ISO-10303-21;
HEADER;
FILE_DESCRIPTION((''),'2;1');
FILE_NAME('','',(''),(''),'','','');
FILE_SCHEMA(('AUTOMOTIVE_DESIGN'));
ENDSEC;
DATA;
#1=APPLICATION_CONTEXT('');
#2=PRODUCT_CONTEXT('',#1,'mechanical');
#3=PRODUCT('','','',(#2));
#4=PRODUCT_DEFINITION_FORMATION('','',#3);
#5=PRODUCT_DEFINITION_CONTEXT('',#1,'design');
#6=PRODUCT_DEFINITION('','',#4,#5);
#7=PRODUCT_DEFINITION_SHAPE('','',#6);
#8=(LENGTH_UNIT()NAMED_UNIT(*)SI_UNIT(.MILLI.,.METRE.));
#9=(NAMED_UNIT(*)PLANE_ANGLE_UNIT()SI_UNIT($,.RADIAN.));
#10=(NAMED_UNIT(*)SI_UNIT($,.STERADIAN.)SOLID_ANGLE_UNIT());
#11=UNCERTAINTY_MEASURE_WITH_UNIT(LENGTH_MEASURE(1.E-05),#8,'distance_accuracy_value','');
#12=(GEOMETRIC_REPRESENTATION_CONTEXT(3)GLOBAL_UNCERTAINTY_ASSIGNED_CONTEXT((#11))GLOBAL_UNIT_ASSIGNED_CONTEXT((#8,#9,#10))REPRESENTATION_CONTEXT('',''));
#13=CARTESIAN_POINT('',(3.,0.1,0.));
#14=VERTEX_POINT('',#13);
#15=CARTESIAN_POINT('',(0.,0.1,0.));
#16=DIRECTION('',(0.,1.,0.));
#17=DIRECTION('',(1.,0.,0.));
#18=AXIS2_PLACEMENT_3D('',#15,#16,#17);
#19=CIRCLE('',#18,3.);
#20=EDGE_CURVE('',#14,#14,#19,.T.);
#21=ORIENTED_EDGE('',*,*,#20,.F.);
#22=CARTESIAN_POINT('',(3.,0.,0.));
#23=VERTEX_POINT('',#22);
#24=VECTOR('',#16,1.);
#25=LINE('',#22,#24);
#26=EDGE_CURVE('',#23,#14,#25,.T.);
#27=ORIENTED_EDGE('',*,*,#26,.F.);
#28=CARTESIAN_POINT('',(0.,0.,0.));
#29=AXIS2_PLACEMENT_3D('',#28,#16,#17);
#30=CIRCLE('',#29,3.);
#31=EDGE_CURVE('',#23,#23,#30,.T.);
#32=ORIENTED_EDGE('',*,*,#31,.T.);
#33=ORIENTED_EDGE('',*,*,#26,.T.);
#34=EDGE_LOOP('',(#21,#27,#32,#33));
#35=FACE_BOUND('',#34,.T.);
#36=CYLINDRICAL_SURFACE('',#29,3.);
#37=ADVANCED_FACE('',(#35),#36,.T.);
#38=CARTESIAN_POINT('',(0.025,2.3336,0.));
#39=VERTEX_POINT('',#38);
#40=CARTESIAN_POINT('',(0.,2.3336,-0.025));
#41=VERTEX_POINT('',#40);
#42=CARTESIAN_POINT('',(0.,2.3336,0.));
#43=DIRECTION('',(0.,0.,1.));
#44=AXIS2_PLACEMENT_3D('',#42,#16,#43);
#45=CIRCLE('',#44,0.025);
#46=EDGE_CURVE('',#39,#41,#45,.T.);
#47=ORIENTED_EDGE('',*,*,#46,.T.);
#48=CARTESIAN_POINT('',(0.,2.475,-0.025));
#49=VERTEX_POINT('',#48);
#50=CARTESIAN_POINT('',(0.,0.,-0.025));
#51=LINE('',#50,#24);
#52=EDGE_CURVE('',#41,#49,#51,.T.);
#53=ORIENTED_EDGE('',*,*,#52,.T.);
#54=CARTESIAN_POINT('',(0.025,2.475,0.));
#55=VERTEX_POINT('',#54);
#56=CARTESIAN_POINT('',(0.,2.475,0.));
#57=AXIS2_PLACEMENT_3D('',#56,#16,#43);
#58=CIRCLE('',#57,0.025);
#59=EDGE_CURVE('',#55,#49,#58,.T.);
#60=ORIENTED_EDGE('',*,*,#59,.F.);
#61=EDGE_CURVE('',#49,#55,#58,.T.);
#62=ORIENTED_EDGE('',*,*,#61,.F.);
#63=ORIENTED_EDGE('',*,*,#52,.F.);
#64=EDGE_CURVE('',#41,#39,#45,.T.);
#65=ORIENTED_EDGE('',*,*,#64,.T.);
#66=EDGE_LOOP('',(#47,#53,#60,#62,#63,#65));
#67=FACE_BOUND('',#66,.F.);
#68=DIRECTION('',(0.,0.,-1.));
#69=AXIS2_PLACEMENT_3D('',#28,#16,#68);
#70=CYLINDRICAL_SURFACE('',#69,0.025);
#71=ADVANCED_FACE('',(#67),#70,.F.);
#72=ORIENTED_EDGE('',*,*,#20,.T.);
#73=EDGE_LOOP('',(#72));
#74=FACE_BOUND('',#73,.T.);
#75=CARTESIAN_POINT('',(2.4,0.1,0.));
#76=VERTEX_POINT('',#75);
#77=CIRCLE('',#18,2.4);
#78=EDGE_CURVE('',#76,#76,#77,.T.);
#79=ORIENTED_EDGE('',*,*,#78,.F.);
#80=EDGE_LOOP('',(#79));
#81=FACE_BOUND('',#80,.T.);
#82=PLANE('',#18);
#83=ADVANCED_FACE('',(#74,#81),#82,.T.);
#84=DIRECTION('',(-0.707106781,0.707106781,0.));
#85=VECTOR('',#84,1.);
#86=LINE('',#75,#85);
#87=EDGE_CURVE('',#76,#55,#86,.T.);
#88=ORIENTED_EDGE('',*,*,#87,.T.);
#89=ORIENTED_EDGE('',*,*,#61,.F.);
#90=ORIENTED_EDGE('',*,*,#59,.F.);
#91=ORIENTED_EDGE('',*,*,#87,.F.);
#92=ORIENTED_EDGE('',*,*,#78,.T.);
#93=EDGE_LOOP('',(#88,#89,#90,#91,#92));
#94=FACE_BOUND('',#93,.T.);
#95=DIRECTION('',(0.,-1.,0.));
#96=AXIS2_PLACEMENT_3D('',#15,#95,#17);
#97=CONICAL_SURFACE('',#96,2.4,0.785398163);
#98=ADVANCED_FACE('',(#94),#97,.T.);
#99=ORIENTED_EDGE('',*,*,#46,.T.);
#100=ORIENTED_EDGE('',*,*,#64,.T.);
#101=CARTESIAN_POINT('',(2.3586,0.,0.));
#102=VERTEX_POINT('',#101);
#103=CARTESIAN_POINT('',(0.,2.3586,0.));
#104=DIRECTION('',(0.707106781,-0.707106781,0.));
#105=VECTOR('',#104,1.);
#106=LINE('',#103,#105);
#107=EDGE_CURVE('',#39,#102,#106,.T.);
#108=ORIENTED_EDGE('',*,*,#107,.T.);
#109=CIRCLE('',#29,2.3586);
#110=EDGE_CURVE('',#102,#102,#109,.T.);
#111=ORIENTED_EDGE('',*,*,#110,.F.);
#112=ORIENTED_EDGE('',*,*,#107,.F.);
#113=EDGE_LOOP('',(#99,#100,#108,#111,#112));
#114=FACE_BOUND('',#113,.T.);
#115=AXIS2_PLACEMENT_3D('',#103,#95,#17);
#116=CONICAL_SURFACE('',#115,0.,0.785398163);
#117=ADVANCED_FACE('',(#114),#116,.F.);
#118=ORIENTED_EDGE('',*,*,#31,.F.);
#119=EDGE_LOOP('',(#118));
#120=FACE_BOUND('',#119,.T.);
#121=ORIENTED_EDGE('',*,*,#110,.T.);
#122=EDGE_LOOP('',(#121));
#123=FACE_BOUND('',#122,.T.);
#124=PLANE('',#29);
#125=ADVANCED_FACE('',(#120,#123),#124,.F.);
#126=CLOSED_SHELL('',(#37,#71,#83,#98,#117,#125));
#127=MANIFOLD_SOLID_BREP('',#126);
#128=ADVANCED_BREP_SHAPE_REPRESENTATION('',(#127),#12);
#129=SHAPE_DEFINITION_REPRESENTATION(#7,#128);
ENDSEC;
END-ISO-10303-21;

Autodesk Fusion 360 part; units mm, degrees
sketch "Sketch1" plane through (0, 0, 0) normal (0, 0, 1) x (1, 0, 0)
  line L0 (2.4, 0.1) -> (0, 2.5)
  line L1 (0, 2.5) -> (0, 2.3586)
  line L2 (0, 2.3586) -> (2.3586, 0)
  line L3 (2.3586, 0) -> (3, 0)
  line L4 (3, 0) -> (3, 0.1)
  line L5 (3, 0.1) -> (2.4, 0.1)
  dimension "d1" = 0.1
  dimension "d2" = 0.1
  dimension "d3" = 2.4
  dimension "d4" = 45
  dimension "d5" = 3
revolve "Revolve1" add sketch "Sketch1" angle 360 about axis through (0, 1.75, 0) along (0, 1, 0)
hole "Hole1" at (0, 0, 0) direction (0, 1, 0) diameter 0.05 end through all
